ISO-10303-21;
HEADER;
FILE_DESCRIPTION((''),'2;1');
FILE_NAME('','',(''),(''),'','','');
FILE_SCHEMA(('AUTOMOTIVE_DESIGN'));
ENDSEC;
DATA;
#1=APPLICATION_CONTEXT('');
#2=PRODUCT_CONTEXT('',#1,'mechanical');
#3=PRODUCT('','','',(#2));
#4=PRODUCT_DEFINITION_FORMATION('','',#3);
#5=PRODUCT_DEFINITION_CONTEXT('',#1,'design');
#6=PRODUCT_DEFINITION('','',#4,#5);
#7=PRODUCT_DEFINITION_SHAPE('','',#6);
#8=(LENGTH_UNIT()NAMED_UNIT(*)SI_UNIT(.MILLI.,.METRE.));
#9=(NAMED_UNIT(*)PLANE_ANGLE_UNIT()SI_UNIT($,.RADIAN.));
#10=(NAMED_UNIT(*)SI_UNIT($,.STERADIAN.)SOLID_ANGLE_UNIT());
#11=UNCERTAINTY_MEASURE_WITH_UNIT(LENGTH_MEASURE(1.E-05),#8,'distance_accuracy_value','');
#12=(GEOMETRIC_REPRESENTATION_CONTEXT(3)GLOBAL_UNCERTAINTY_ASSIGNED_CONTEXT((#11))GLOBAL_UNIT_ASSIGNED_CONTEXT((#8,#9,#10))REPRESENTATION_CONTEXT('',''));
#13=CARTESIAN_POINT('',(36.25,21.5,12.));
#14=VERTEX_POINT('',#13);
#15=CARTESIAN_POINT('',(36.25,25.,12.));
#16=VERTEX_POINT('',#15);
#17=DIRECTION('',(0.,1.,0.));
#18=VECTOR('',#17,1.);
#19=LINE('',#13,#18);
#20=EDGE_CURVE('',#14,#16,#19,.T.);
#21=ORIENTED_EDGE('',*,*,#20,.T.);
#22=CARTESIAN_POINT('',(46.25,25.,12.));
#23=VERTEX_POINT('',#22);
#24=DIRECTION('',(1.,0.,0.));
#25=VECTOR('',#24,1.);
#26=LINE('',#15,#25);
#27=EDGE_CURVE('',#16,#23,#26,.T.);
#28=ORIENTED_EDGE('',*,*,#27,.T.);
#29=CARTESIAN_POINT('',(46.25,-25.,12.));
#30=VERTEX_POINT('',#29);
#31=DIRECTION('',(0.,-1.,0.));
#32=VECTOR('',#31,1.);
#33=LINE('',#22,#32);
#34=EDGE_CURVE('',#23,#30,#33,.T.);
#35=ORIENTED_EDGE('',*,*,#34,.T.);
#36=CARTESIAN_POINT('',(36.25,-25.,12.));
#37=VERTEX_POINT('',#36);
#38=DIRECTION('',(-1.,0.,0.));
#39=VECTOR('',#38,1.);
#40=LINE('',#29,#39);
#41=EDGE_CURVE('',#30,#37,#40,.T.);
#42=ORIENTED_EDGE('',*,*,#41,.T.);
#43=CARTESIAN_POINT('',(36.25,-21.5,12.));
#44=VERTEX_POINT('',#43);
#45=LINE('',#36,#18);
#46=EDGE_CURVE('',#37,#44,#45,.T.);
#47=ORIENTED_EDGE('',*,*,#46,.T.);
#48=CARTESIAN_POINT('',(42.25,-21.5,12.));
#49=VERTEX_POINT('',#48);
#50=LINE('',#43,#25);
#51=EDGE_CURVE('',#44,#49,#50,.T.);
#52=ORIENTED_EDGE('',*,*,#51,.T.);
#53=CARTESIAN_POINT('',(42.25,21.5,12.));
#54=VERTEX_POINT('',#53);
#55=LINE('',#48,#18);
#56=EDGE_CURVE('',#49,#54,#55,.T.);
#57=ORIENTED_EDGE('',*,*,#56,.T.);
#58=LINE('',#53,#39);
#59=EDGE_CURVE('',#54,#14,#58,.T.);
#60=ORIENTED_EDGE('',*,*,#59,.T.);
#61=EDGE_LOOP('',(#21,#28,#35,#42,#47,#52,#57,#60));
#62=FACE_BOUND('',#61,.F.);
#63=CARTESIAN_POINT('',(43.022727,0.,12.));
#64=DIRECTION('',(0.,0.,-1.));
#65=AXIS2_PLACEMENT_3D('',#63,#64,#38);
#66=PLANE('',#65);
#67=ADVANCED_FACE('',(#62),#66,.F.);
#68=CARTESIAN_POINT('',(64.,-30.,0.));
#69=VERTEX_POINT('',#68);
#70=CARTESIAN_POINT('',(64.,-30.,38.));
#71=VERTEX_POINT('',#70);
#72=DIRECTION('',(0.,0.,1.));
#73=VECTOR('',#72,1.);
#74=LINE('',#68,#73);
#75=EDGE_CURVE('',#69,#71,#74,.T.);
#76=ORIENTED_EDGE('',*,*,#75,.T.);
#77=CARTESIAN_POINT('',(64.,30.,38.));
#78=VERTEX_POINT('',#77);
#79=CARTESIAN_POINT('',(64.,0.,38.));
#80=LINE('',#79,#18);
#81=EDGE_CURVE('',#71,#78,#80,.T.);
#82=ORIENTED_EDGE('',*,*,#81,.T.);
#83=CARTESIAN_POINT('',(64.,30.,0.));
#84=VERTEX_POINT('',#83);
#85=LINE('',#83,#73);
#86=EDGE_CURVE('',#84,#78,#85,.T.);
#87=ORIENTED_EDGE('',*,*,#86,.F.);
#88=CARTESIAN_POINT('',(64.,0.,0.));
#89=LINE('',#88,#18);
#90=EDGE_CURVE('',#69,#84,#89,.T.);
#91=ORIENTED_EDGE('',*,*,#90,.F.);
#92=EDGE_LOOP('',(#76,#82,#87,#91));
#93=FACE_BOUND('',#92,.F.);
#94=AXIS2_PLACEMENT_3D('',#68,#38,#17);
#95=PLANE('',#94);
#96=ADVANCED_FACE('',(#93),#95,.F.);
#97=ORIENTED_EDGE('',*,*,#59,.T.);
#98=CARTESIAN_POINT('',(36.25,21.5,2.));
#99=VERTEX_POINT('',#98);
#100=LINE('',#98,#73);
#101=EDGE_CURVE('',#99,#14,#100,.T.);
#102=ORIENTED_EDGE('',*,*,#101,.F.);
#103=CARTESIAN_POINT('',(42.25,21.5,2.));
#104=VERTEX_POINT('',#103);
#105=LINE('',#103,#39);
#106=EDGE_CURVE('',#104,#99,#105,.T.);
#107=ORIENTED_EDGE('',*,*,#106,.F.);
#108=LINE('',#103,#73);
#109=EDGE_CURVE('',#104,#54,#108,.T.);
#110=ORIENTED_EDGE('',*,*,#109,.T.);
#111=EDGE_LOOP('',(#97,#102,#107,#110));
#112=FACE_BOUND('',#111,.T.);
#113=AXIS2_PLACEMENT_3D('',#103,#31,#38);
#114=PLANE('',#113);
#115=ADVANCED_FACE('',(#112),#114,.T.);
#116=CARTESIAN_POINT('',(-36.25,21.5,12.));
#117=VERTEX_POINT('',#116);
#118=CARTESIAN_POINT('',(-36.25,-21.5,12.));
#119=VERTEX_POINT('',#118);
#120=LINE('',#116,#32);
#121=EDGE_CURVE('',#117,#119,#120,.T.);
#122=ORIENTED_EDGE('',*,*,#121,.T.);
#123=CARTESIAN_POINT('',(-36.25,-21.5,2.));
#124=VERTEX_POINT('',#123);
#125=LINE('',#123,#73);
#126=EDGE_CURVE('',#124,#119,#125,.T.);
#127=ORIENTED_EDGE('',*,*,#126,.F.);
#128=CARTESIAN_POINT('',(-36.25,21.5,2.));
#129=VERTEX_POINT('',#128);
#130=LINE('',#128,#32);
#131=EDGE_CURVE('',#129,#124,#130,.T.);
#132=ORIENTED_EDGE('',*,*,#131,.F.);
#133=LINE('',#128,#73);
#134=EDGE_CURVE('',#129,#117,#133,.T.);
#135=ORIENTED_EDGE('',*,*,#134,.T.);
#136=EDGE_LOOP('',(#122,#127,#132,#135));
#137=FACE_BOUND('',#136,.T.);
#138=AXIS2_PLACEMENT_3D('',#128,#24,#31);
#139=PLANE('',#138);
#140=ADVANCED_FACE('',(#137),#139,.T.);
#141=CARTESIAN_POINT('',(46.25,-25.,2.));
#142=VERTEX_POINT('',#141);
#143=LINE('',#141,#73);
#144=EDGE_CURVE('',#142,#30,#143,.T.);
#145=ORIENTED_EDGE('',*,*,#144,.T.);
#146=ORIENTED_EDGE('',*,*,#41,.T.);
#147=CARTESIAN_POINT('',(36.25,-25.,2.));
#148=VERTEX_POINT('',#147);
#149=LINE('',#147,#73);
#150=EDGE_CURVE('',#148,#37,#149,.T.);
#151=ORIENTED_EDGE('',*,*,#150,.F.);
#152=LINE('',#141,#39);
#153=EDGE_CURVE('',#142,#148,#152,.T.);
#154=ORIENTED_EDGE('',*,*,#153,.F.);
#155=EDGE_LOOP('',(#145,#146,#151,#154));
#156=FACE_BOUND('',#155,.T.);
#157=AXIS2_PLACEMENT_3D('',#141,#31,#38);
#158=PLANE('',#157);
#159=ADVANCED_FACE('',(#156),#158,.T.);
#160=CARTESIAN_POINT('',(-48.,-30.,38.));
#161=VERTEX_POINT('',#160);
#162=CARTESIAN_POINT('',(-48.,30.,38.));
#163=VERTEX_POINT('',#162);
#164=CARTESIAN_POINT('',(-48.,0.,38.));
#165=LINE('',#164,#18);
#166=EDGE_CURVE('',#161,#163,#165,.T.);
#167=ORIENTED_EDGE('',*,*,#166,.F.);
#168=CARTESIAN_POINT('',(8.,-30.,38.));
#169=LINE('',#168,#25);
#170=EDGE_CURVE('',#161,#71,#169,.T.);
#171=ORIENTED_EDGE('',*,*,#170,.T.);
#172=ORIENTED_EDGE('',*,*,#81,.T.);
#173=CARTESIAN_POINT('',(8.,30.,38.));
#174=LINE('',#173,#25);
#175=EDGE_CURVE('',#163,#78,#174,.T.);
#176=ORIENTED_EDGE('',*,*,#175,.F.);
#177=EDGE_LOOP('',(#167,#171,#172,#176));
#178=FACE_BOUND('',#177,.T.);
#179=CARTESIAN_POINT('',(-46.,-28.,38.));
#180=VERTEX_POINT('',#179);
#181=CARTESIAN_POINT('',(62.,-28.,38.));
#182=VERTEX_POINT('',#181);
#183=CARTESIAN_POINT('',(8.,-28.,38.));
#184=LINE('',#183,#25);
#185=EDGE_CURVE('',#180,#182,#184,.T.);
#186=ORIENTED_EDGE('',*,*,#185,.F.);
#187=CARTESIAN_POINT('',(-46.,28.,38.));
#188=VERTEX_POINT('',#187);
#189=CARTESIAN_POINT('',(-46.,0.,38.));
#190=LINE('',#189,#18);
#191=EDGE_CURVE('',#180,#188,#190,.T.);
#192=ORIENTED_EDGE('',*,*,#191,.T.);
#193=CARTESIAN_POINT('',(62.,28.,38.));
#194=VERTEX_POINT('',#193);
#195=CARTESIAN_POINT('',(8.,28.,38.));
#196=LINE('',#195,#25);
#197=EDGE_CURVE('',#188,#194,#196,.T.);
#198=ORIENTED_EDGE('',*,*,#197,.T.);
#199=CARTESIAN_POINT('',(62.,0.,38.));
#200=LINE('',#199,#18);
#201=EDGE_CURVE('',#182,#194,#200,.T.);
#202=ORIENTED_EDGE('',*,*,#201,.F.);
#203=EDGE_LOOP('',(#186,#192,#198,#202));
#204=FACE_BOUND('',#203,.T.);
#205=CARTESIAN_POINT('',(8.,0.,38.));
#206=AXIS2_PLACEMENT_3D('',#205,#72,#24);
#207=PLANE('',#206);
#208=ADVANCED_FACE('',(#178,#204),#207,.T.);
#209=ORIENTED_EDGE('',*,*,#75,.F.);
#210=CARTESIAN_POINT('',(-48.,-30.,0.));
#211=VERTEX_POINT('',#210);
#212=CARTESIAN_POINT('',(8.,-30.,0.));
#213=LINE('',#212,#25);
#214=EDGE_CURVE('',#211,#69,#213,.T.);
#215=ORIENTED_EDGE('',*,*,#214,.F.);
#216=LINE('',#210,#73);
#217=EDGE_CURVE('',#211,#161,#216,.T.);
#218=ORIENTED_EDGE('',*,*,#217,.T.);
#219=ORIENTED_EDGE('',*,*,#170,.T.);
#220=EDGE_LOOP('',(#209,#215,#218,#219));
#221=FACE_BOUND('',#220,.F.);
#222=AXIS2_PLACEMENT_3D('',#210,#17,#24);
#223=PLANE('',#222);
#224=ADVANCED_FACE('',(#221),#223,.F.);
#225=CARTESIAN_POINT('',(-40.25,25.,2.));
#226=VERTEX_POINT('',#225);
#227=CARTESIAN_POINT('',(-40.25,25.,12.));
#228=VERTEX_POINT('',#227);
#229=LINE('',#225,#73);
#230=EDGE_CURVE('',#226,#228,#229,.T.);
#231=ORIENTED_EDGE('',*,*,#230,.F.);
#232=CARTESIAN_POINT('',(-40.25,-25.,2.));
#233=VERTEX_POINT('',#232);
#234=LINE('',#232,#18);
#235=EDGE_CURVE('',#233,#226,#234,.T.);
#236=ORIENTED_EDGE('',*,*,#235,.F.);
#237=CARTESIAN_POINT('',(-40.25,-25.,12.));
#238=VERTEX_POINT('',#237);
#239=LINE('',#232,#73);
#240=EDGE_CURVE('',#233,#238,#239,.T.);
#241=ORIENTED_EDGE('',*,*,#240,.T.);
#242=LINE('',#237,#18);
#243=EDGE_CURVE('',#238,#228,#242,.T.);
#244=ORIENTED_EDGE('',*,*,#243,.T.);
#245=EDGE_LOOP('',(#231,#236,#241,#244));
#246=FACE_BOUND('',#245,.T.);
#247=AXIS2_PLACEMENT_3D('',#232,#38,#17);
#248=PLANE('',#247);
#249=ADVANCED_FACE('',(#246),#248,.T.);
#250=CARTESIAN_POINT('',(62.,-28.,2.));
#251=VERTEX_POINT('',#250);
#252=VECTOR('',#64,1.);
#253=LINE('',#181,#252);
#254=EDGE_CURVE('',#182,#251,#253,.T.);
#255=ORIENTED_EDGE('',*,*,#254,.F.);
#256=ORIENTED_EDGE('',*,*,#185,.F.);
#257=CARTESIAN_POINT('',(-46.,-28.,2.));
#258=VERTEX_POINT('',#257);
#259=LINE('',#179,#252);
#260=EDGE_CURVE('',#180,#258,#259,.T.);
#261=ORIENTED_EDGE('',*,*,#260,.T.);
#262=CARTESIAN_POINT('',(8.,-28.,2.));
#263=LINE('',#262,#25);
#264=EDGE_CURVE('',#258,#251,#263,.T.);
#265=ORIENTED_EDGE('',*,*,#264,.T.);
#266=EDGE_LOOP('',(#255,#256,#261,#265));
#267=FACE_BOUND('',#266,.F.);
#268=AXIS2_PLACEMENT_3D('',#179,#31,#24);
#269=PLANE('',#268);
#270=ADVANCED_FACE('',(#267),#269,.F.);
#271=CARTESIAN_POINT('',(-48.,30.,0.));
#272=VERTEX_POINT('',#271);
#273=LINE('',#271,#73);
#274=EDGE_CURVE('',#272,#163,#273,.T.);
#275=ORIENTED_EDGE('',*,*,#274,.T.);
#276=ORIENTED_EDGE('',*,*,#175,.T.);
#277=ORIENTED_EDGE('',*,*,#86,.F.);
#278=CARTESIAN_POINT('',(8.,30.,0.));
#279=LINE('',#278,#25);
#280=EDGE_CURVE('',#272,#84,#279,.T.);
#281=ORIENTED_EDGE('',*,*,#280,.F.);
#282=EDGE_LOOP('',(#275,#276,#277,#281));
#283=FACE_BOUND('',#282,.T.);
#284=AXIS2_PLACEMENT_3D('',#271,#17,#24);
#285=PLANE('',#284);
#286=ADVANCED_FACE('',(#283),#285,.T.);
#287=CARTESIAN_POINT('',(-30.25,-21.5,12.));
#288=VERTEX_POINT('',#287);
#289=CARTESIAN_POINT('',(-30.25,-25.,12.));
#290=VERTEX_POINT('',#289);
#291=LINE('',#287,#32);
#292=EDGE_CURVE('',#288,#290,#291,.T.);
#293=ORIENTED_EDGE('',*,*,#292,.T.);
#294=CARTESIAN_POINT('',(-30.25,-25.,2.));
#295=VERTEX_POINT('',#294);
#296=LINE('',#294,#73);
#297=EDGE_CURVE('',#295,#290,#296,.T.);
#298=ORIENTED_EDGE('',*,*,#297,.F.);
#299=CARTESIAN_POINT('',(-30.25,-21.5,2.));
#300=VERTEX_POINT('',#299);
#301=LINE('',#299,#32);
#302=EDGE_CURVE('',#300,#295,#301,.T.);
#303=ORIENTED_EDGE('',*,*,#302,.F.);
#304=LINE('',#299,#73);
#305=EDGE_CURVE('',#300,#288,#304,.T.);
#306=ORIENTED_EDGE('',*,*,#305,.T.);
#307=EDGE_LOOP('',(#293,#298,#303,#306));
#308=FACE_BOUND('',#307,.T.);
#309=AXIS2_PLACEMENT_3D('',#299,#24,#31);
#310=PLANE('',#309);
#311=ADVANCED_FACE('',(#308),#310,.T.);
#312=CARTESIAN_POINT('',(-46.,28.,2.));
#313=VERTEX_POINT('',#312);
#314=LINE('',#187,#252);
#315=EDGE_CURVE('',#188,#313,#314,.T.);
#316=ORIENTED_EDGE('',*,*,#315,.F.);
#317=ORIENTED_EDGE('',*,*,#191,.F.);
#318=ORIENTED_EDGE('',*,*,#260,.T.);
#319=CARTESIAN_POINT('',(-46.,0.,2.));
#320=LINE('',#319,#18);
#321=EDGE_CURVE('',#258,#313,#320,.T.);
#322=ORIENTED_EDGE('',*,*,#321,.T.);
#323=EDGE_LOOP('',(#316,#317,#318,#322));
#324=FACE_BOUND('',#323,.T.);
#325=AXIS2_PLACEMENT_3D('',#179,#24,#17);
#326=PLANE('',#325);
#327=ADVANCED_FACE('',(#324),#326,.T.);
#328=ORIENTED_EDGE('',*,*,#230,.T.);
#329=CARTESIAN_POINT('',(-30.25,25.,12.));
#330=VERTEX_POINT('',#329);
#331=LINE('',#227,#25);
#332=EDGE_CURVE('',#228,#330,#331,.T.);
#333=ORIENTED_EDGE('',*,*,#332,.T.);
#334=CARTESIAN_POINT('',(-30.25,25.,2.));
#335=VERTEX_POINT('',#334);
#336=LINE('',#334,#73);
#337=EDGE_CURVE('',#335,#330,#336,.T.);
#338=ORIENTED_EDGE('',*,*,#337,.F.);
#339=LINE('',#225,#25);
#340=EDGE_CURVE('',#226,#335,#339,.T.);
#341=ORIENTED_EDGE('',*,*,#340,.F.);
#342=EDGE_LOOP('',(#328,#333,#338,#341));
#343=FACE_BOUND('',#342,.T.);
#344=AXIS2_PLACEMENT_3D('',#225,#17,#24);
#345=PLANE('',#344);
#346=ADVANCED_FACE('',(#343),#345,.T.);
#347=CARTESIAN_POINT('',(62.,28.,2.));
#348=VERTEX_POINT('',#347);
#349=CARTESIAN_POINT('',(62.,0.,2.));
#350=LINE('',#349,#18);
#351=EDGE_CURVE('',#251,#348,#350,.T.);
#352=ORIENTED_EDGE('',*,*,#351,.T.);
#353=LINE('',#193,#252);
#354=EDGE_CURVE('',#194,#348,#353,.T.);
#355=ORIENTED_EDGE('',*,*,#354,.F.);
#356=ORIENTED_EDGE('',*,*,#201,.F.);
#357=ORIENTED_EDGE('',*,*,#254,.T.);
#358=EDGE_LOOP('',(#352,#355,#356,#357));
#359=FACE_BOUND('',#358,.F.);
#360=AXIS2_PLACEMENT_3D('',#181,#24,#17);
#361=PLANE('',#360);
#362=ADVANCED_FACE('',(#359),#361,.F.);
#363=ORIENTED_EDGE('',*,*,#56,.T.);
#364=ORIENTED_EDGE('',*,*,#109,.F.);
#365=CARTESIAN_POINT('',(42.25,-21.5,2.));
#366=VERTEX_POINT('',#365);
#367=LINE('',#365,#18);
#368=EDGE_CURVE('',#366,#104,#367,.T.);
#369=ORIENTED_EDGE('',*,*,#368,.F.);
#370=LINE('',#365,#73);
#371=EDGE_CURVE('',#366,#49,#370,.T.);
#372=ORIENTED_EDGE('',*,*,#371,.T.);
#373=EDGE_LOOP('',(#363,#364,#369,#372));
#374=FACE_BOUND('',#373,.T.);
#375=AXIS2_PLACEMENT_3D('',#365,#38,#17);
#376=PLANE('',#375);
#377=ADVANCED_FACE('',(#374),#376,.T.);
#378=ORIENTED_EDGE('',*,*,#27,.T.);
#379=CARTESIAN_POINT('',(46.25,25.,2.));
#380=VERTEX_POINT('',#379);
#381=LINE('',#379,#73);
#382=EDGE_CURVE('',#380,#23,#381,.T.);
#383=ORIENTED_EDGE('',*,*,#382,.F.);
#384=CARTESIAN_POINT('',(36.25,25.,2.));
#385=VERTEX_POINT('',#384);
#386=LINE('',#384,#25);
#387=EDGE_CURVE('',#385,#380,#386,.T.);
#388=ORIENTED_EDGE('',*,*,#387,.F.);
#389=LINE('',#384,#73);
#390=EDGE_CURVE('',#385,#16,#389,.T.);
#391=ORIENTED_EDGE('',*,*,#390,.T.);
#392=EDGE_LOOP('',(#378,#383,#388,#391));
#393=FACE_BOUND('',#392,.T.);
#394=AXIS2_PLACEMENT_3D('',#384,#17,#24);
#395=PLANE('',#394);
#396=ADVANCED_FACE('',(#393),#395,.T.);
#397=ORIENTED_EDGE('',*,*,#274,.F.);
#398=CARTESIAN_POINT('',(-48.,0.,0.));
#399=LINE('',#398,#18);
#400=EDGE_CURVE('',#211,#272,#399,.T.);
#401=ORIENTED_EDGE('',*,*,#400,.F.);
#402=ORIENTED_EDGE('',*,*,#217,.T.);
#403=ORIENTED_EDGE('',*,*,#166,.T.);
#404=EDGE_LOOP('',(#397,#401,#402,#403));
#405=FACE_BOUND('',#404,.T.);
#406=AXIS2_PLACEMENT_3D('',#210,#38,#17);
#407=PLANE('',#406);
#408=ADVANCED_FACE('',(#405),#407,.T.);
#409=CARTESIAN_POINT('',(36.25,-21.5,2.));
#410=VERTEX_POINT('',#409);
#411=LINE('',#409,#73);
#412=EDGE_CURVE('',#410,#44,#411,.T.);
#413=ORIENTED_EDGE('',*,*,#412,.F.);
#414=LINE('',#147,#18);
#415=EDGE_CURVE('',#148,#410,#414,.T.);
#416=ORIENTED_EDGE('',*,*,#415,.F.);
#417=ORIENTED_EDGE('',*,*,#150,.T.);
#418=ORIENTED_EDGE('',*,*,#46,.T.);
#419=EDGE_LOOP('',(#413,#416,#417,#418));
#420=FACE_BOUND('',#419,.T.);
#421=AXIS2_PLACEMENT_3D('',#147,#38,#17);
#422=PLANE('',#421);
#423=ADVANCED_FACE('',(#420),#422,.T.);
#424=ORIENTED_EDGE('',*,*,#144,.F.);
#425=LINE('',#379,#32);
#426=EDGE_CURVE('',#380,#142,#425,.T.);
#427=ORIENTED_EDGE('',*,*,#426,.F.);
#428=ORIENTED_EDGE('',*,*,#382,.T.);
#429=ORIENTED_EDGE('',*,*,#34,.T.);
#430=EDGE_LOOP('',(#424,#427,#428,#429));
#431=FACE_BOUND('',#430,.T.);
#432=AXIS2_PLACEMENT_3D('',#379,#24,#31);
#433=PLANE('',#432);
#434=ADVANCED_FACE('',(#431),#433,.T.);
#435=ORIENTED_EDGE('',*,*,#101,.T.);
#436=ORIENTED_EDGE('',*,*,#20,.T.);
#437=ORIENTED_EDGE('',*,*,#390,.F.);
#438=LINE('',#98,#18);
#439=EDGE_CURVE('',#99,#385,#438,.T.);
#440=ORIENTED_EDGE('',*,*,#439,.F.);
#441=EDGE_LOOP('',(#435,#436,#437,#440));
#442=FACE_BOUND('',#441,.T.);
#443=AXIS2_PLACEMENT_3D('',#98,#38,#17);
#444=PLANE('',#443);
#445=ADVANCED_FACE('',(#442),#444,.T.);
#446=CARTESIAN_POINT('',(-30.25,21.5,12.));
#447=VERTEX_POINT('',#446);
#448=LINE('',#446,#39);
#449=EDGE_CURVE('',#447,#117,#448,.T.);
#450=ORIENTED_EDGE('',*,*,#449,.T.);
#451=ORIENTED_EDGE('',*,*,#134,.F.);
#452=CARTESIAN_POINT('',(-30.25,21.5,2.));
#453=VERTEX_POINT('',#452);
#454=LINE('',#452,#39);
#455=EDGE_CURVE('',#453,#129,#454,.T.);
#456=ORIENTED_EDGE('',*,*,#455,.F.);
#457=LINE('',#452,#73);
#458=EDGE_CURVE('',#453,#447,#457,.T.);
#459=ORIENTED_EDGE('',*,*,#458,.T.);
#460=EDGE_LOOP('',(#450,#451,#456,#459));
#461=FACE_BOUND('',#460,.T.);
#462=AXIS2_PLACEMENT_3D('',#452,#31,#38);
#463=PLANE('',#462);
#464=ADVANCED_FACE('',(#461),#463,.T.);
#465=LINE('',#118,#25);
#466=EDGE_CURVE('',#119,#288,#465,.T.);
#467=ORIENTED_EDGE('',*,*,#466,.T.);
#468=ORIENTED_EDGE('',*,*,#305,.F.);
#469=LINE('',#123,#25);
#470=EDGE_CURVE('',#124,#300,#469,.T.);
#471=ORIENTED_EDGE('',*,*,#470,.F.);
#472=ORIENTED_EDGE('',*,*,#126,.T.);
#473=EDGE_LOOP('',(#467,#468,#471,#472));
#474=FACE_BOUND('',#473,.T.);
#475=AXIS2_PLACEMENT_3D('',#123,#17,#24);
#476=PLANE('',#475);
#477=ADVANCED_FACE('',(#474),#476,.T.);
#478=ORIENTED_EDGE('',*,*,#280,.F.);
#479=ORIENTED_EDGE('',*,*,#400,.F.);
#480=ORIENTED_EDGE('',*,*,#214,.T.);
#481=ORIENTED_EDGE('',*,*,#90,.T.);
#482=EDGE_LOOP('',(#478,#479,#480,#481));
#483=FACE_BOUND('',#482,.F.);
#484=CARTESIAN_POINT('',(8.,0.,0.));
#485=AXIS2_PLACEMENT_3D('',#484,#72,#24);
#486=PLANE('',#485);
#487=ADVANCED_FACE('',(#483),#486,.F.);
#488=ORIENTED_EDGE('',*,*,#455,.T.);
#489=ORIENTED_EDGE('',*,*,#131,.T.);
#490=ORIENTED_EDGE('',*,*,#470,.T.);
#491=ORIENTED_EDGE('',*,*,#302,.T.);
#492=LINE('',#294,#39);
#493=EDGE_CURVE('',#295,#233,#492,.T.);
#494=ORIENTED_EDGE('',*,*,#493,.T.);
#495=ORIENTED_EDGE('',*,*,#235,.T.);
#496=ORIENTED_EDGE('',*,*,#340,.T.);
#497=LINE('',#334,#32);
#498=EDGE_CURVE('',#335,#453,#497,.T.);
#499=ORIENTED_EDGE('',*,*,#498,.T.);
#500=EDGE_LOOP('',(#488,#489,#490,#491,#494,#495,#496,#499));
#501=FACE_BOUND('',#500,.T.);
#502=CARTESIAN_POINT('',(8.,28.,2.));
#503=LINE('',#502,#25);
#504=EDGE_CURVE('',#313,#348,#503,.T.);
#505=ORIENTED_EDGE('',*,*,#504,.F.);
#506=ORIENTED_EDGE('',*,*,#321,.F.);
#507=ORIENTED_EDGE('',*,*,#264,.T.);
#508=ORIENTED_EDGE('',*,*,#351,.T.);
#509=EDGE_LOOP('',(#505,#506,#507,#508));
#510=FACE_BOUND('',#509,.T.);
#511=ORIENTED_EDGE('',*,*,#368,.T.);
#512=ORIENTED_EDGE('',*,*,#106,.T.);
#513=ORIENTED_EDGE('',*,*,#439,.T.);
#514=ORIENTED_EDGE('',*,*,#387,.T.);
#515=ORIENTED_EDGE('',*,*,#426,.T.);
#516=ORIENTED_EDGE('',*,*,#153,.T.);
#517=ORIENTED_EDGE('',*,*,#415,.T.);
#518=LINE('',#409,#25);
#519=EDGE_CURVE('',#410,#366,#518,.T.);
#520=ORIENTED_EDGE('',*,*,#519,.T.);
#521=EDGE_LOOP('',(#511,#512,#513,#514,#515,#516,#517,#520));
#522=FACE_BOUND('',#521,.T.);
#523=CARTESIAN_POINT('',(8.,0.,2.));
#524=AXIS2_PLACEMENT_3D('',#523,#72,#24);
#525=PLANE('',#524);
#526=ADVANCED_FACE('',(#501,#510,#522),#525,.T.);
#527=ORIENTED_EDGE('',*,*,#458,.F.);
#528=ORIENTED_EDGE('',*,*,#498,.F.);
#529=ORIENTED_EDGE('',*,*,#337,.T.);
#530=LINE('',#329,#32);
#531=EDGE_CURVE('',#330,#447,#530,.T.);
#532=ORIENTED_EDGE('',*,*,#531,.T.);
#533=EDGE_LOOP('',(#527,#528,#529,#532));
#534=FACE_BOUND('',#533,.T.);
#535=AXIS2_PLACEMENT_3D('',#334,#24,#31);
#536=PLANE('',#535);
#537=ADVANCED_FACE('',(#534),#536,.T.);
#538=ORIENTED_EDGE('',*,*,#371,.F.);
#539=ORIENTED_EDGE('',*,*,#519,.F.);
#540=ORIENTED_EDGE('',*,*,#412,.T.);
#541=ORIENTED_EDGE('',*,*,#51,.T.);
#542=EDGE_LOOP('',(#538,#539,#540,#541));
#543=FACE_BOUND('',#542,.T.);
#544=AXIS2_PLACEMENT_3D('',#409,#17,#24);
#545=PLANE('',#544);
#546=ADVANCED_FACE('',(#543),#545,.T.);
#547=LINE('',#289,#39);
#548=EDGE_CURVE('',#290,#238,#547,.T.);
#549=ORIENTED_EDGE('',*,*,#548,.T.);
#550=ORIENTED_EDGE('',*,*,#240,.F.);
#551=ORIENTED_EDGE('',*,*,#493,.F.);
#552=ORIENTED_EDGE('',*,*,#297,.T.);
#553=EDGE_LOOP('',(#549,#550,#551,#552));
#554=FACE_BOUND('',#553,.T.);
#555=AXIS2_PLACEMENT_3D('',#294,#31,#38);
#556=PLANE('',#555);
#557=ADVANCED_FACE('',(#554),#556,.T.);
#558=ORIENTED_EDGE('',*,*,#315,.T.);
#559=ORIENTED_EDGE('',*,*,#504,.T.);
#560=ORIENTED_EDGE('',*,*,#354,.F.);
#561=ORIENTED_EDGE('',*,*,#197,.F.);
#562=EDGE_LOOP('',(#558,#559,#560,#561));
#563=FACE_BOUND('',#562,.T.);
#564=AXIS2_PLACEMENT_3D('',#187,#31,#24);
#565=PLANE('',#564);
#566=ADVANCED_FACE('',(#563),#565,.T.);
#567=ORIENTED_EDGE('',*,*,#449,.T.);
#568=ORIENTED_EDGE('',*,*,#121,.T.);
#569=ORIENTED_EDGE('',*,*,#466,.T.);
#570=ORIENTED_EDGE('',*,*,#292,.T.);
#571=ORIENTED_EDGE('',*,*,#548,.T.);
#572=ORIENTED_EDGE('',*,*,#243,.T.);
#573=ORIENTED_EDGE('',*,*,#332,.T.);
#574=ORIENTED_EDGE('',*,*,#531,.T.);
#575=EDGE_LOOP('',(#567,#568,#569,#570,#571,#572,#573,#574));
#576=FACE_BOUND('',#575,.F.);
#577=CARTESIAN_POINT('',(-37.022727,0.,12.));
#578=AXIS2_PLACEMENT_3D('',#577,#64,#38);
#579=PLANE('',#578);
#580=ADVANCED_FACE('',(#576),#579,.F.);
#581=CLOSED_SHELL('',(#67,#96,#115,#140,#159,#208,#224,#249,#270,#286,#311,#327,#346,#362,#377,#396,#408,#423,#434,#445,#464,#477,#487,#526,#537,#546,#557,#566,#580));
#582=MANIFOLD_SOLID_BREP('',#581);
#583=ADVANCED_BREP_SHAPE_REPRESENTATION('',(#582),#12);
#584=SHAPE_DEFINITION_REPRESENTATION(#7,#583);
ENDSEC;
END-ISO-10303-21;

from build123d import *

# Parameters (mm, degrees)
SKETCH004_W     = 112
SKETCH004_H     = 60
PAD004_DEPTH    = 38
SKETCH006_W     = 108
SKETCH006_H     = 56
POCKET002_DEPTH = 36
PAD005_DEPTH    = 10


with BuildPart() as part:
    # Sketch004 → Pad004 (new body)
    with BuildSketch(Plane.XY):
        with Locations((8, 0)):
            Rectangle(SKETCH004_W, SKETCH004_H)
    extrude(amount=PAD004_DEPTH)

    # Sketch006 (on Face6 of Pad004) → Pocket002 (cut)
    with BuildSketch(Plane.XY.offset(38)):
        with Locations((8, 0)):
            Rectangle(SKETCH006_W, SKETCH006_H)
    extrude(amount=-POCKET002_DEPTH, mode=Mode.SUBTRACT)

    # Sketch007 (on Face11 of Pocket002) → Pad005 (join)
    with BuildSketch(Plane.XY.offset(2)):
        Polygon((-36.25, 21.5), (-36.25, -21.5), (-30.25, -21.5), (-30.25, -25), (-40.25, -25), (-40.25, 25), (-30.25, 25), (-30.25, 21.5), align=None)
        Polygon((42.25, -21.5), (42.25, 21.5), (36.25, 21.5), (36.25, 25), (46.25, 25), (46.25, -25), (36.25, -25), (36.25, -21.5), align=None)
    extrude(amount=PAD005_DEPTH)


solid = part.part
